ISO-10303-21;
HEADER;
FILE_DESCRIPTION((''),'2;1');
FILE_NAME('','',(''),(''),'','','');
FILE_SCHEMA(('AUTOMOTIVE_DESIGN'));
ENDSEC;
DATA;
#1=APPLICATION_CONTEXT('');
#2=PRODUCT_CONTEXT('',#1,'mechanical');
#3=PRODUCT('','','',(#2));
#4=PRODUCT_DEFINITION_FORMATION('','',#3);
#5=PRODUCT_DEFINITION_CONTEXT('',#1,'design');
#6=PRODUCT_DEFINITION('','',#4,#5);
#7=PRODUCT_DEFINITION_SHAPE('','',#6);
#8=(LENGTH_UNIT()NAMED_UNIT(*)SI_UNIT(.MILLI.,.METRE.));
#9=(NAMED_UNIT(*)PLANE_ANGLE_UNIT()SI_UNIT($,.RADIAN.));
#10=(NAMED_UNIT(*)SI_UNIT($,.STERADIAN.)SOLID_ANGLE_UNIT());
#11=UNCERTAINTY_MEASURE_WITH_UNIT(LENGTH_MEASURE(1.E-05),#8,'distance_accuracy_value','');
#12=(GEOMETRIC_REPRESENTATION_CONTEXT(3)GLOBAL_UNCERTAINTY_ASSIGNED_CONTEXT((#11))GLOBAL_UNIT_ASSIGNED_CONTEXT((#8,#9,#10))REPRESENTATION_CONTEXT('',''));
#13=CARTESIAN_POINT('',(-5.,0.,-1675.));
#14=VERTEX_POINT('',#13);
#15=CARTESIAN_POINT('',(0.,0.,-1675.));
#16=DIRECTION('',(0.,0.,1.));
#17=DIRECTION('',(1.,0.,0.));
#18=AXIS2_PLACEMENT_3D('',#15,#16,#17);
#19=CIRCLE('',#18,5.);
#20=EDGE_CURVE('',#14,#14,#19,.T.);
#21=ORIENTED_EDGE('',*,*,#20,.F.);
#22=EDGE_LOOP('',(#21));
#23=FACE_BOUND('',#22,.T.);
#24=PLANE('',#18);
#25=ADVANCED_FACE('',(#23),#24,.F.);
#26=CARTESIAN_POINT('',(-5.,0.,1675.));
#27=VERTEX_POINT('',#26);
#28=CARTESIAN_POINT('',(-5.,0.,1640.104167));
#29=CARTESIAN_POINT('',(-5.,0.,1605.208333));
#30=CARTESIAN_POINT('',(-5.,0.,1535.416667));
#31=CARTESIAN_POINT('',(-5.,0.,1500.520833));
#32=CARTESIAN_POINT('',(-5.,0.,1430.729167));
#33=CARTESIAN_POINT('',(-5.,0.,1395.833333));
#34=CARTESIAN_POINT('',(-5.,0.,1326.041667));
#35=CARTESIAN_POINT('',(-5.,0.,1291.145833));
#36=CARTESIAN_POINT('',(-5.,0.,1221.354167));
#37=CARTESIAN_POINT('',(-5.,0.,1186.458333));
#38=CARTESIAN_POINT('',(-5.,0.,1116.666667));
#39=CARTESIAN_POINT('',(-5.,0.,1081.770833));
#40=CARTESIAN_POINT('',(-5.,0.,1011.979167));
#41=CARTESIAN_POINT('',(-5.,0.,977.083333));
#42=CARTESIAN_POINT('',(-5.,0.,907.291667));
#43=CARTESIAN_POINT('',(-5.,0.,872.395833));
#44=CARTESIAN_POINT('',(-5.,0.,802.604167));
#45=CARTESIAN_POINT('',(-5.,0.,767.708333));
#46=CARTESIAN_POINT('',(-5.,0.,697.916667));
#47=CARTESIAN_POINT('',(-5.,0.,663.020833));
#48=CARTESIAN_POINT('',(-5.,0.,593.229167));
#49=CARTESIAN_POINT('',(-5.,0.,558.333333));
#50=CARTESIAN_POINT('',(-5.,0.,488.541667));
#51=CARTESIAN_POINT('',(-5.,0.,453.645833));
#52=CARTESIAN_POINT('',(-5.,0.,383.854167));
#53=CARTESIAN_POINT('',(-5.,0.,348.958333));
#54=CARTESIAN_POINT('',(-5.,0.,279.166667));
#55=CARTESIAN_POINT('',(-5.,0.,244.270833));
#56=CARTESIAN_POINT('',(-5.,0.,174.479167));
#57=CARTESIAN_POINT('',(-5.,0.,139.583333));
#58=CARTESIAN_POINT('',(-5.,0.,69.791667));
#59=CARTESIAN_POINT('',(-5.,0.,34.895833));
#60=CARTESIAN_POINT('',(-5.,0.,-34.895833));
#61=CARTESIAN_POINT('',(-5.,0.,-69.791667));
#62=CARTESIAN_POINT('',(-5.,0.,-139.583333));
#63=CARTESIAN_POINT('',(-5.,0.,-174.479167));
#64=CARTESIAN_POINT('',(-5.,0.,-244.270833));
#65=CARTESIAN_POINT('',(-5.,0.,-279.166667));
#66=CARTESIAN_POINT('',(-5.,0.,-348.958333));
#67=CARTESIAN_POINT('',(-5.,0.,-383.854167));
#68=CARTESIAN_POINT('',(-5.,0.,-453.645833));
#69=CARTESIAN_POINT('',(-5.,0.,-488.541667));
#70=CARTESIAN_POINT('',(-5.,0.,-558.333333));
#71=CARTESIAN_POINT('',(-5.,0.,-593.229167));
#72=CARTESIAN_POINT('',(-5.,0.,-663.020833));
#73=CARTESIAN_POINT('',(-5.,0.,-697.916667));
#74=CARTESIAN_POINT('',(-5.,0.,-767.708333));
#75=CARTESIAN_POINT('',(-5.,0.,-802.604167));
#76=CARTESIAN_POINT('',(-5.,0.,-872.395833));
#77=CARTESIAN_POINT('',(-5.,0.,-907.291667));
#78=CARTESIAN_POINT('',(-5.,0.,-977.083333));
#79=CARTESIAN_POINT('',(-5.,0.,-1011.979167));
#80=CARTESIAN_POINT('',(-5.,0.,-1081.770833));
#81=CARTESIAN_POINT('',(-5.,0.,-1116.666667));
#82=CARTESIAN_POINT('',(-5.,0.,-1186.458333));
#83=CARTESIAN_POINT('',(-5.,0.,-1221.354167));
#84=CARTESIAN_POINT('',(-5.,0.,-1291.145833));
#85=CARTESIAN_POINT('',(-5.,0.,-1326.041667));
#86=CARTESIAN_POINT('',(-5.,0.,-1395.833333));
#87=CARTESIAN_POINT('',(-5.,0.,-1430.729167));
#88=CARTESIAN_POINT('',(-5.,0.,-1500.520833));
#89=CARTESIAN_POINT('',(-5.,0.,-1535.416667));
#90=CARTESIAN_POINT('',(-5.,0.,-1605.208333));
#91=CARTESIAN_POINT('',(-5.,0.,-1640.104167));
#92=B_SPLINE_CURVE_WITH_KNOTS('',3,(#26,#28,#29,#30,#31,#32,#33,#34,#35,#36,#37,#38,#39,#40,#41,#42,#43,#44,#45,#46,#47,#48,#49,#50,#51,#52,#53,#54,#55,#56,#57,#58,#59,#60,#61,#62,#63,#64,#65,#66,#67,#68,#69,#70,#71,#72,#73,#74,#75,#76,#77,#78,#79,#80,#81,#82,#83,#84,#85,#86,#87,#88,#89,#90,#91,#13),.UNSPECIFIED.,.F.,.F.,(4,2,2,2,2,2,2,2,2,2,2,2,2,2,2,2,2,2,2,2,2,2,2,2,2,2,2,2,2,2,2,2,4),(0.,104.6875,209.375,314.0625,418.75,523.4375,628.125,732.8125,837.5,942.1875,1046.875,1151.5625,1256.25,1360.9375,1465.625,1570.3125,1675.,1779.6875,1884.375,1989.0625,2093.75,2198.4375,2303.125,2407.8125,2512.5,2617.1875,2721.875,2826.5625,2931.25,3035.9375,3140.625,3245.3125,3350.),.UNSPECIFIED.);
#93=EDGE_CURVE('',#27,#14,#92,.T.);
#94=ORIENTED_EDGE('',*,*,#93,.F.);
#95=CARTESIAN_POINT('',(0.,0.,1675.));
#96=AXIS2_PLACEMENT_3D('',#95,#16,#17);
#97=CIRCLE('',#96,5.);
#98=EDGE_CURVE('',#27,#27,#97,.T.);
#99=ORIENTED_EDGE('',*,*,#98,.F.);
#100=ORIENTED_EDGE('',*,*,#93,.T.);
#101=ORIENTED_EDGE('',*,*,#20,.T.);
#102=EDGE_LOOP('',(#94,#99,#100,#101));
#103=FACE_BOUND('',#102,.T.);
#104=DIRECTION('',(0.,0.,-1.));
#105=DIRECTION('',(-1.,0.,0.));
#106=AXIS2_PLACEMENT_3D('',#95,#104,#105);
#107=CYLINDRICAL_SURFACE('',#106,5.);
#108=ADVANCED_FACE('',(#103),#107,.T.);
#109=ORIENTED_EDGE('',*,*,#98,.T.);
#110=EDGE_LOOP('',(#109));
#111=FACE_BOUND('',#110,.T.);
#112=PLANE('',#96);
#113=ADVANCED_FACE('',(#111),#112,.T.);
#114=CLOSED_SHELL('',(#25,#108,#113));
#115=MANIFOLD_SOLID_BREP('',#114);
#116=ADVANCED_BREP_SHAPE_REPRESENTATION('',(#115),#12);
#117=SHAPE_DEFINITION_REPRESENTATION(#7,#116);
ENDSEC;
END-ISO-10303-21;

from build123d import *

# Parameters (mm, degrees)
ESBO_O1_R                = 5
RESSALTO_EXTRUS_O1_DEPTH = 1675


with BuildPart() as part:
    # Esboço1 → Ressalto-extrusão1 (new, symmetric)
    with BuildSketch(Plane.XY):
        with Locations(Location((0, 0, 0), (0, 0, 180))):
            Circle(ESBO_O1_R)
    extrude(amount=RESSALTO_EXTRUS_O1_DEPTH, both=True)


solid = part.part
